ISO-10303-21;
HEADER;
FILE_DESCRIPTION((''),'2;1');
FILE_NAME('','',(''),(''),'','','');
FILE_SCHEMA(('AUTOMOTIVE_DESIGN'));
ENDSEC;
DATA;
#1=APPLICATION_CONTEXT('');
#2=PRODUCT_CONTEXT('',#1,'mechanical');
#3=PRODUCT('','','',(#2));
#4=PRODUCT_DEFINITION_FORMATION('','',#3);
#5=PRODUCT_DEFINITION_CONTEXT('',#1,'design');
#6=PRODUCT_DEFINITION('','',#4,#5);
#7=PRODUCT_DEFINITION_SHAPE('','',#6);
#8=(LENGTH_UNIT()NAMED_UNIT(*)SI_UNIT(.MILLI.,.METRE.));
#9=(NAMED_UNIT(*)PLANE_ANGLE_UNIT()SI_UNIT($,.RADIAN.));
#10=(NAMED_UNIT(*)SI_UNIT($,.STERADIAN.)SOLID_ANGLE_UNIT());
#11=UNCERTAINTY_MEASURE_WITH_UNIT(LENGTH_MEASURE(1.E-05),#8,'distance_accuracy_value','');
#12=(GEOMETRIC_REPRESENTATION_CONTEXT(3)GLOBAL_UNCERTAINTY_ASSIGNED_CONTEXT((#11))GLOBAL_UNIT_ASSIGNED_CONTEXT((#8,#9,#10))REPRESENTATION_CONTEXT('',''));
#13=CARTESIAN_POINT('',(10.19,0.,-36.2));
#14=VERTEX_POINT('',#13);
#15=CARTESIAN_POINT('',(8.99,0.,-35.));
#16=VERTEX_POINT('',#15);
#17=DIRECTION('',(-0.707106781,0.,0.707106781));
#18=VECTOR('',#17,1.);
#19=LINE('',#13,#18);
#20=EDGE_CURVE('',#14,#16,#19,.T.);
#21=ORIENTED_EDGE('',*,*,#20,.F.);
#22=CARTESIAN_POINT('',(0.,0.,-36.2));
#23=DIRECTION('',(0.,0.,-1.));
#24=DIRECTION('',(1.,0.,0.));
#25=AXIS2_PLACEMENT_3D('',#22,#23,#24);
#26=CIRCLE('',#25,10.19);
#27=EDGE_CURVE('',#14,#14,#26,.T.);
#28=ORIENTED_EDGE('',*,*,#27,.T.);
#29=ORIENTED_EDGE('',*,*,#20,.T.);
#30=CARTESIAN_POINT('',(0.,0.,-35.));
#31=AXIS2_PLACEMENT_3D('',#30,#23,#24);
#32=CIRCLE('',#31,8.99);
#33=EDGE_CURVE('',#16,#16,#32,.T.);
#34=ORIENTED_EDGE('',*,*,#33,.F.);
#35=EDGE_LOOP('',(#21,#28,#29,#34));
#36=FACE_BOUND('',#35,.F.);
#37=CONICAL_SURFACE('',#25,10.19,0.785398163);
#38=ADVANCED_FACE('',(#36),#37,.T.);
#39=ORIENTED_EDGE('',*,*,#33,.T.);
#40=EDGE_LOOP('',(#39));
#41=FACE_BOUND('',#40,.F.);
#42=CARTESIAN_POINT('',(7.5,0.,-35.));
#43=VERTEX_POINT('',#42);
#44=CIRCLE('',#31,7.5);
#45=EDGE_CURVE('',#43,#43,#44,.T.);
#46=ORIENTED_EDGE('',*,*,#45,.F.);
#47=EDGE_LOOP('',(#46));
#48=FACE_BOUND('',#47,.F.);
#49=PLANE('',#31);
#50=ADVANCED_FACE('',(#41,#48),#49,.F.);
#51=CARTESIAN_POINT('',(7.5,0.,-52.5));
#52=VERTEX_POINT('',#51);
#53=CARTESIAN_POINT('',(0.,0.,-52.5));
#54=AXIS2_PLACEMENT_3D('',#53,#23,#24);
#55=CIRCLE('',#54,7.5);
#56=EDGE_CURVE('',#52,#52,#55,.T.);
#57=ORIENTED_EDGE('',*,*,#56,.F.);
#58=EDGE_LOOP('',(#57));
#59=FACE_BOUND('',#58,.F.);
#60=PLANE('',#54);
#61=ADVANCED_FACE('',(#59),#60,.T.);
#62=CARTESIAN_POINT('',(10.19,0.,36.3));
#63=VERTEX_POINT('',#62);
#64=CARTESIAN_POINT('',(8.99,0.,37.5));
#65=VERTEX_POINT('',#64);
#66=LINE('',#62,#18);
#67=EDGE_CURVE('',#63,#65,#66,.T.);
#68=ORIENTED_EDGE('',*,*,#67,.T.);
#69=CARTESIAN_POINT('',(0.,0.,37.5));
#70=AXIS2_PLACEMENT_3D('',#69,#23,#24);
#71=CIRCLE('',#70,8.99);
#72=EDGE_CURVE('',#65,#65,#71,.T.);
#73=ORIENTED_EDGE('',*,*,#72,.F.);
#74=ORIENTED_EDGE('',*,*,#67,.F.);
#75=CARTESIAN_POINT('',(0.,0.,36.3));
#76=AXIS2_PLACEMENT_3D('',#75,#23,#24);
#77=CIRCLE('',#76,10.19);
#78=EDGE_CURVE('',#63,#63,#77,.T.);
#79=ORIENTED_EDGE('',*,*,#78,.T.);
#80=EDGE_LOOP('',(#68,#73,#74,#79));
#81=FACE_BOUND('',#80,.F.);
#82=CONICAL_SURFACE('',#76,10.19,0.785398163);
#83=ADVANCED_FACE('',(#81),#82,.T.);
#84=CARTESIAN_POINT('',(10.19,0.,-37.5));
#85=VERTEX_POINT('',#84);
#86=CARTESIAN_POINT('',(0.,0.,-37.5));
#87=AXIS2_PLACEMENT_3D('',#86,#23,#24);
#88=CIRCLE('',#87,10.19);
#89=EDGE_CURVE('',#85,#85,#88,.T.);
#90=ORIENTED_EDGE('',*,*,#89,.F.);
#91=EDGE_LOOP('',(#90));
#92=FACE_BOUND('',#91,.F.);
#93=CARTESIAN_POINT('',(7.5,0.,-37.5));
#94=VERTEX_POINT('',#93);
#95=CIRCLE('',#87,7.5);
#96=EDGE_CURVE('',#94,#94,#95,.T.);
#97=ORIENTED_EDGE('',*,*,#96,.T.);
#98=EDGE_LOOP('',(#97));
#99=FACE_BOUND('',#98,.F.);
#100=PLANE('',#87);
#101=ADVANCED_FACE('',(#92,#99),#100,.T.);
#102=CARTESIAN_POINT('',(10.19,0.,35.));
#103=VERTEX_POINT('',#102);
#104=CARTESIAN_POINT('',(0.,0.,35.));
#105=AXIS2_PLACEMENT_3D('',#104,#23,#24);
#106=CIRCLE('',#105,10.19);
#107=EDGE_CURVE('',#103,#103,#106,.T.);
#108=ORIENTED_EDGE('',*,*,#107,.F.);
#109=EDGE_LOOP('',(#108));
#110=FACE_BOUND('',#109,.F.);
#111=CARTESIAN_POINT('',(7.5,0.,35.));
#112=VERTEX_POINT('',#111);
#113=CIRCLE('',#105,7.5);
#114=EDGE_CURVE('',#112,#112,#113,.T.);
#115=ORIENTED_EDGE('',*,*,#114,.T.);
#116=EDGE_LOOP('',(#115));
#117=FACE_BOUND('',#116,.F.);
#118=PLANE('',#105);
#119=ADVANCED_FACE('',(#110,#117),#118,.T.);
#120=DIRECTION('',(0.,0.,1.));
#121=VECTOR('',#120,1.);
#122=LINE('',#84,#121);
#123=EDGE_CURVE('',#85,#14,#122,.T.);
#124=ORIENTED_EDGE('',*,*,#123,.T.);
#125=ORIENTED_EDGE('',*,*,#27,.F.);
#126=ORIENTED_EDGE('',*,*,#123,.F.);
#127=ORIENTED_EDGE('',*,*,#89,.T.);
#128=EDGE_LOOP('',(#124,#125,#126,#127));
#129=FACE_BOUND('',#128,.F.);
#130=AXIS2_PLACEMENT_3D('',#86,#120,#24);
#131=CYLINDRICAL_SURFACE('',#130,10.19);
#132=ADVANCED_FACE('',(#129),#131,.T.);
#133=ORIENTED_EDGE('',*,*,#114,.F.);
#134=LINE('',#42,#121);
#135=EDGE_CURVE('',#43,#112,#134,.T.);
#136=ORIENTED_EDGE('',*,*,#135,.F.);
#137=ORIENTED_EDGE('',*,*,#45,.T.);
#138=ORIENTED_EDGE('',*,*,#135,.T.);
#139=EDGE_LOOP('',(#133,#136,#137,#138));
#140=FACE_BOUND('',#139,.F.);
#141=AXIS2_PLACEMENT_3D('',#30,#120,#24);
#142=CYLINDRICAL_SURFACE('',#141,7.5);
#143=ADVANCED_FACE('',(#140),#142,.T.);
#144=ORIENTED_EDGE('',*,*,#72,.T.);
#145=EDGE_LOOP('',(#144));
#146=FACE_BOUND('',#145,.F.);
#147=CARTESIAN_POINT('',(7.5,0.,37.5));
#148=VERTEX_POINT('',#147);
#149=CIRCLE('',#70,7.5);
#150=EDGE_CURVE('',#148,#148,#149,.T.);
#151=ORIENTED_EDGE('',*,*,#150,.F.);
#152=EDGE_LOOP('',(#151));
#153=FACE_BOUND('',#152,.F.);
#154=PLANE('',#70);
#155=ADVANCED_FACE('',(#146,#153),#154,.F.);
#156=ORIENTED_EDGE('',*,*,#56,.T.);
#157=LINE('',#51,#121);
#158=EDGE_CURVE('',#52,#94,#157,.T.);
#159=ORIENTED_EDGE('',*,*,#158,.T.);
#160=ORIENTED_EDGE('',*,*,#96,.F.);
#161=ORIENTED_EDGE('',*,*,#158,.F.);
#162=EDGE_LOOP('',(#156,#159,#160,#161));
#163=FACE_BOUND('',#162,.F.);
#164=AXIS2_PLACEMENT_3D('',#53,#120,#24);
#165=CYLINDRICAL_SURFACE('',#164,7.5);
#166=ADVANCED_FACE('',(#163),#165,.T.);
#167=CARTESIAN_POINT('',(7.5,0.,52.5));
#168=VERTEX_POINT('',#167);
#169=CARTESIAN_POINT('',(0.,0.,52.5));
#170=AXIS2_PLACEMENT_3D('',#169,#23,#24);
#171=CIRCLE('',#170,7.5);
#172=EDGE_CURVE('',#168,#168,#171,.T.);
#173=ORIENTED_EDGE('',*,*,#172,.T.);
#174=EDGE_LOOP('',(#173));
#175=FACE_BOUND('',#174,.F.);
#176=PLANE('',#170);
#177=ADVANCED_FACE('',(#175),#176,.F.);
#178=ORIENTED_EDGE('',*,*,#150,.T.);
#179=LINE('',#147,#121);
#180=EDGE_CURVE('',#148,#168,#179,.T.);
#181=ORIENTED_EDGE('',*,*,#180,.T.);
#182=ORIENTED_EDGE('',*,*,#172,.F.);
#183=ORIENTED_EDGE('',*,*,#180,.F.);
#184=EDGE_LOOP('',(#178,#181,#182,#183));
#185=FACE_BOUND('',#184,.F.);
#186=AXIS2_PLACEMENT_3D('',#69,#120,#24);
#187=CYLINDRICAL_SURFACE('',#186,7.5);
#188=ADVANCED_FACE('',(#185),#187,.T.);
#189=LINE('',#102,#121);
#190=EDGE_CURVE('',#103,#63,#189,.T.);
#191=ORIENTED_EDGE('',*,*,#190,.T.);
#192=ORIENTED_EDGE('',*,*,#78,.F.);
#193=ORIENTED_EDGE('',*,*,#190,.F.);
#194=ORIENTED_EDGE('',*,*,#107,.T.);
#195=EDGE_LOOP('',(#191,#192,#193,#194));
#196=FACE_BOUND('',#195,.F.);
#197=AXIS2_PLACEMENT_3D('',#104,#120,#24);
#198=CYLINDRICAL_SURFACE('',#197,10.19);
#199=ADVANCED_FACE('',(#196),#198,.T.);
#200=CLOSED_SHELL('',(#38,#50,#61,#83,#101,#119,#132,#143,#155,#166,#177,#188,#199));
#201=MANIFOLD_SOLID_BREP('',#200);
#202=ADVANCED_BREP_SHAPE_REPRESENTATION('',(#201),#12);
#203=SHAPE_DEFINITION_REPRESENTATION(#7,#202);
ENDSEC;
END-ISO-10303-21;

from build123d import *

# Parameters (mm, degrees)
F2_SIZE = 1.2


with BuildPart() as f1:
    # F0 (on Front) → F1 (revolve)
    with BuildSketch(Plane.XZ):
        Polygon((7.5, 52.5), (0, 52.5), (0, -52.5), (7.5, -52.5), (7.5, -37.5), (10.19, -37.5), (10.19, -35), (7.5, -35), (7.5, 35), (10.19, 35), (10.19, 37.5), (7.5, 37.5), align=None)
    revolve(axis=Axis((0, 0, 0.15672), (0, 0, -1)))

    # F2
    f2_edges = [f1.edges().sort_by_distance(p)[0] for p in [
        (-10.19, 0, 37.5),
        (-10.19, 0, -35),
    ]]
    chamfer(f2_edges, length=F2_SIZE)


solid = f1.part
